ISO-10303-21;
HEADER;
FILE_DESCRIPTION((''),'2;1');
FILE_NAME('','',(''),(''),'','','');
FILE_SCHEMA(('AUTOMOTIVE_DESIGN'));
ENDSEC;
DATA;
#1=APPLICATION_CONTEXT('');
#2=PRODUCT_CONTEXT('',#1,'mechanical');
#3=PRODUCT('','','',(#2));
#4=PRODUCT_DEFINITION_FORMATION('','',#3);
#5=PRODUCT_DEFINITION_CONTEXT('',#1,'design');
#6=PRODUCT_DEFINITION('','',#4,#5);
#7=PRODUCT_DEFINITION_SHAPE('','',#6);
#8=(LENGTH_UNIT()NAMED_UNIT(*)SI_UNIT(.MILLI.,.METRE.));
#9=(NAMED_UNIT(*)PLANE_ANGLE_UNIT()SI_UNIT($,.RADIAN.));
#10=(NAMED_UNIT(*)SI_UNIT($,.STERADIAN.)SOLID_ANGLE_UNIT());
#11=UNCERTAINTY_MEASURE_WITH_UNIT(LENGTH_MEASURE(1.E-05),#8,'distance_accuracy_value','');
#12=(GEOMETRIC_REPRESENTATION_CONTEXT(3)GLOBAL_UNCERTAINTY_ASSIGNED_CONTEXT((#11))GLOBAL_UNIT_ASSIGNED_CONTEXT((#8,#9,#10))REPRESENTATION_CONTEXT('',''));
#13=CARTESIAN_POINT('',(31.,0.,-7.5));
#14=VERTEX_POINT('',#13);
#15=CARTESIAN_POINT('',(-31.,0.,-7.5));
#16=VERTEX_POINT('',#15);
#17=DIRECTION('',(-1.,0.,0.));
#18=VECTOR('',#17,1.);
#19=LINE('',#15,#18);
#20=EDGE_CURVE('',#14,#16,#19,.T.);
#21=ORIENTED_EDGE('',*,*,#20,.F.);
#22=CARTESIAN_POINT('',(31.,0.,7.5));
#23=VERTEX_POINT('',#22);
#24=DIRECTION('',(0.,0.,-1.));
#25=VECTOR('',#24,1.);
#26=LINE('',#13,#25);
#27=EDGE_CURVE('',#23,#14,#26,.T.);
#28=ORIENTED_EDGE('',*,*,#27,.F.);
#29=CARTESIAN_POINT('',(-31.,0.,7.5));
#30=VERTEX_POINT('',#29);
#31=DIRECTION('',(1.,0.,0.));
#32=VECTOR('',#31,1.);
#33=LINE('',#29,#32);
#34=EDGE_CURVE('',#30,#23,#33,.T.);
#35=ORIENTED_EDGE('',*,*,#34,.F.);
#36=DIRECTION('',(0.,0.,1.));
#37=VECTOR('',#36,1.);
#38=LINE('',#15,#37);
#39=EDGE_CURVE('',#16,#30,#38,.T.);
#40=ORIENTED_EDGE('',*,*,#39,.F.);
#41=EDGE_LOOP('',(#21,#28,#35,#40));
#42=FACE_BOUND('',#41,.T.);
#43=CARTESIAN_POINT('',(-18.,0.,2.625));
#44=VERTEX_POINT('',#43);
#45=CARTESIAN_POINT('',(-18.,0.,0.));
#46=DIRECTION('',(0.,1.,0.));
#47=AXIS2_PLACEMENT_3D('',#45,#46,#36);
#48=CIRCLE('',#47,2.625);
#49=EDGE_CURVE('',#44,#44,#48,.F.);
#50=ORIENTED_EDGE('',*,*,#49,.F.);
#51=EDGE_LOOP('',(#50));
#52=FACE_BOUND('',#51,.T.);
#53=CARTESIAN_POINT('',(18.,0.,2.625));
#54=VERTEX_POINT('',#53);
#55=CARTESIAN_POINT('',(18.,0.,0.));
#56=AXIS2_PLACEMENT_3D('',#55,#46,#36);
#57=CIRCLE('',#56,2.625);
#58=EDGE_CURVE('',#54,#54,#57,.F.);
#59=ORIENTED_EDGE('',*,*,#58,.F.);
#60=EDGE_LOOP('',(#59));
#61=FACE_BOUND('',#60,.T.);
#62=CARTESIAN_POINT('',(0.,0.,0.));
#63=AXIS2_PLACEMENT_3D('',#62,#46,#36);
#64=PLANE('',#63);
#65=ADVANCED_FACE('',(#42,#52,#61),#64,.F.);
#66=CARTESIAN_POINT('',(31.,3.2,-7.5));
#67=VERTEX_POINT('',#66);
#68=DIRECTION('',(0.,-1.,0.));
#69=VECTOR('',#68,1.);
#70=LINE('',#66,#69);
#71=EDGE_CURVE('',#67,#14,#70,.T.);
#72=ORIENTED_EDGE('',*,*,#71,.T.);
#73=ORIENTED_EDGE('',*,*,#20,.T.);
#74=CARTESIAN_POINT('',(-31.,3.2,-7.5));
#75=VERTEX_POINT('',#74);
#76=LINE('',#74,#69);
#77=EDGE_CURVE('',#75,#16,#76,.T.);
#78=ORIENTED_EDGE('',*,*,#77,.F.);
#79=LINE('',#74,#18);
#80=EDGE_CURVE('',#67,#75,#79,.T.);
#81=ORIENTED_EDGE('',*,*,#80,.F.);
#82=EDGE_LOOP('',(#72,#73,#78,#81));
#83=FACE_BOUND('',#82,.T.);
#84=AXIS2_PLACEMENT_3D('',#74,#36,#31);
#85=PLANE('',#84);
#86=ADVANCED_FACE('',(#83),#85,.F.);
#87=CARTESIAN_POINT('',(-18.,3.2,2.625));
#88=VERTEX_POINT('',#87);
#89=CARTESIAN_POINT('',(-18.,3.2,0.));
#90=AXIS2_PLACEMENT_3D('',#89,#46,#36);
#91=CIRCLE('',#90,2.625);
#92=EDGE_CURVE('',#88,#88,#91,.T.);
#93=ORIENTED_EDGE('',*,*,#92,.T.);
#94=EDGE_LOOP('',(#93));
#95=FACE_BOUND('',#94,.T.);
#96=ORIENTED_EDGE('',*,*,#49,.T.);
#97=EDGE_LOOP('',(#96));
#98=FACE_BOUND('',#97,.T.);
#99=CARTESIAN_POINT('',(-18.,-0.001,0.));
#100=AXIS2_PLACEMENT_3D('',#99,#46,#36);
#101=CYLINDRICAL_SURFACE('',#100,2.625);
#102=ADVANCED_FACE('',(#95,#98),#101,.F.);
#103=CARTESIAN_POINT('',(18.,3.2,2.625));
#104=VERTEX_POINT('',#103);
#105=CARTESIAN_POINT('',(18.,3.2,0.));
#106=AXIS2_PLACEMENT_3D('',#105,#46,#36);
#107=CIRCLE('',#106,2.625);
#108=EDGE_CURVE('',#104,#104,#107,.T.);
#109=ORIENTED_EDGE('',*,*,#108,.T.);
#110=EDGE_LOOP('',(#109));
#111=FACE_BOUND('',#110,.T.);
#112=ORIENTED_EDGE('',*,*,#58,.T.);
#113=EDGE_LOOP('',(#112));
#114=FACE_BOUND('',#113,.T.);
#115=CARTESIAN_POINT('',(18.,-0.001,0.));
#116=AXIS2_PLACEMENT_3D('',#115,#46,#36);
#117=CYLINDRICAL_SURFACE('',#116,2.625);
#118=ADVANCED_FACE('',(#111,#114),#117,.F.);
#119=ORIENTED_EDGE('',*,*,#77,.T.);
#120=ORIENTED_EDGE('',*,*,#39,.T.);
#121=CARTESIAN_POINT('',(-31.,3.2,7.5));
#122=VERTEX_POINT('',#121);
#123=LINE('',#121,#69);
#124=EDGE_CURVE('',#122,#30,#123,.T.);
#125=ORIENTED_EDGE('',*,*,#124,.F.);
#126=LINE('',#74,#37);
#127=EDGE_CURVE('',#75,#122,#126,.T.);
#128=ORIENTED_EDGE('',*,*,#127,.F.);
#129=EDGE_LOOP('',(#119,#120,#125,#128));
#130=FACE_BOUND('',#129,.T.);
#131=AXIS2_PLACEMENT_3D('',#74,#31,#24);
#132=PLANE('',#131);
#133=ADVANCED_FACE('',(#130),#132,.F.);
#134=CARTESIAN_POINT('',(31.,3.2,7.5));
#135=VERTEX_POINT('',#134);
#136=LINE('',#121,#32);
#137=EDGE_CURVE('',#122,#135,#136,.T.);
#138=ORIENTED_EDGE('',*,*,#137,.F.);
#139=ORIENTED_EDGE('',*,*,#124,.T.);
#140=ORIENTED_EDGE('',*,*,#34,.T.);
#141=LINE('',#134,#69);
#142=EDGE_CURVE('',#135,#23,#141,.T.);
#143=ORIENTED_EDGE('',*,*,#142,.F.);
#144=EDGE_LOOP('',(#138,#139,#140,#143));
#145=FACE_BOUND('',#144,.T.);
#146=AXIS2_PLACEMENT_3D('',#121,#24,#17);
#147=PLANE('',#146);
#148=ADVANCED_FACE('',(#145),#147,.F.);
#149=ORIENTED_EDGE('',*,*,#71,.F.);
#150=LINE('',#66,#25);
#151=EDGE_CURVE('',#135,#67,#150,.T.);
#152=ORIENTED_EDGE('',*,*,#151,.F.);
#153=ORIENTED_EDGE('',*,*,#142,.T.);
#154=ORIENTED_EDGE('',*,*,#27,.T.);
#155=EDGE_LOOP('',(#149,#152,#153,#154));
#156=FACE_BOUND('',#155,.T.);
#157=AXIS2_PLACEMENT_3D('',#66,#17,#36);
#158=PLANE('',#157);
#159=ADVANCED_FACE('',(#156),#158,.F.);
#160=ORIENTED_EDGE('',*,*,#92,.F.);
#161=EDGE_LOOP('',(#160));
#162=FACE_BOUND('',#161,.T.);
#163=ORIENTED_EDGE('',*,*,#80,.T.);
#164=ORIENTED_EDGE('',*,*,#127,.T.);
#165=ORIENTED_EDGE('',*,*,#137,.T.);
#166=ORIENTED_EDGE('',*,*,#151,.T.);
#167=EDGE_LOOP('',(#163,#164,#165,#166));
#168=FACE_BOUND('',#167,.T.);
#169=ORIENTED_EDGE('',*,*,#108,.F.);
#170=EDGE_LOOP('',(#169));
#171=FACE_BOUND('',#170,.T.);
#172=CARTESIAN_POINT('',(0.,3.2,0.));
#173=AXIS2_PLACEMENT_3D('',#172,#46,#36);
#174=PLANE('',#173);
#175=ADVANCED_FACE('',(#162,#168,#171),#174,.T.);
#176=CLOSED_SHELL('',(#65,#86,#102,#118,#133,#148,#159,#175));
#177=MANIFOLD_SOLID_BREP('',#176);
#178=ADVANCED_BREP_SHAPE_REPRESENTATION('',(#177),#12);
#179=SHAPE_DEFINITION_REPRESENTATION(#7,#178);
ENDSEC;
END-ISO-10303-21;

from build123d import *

# Parameters (mm, degrees)
SKETCH1_W           = 62
SKETCH1_H           = 15
BOSS_EXTRUDE1_DEPTH = 3.2
CUT_EXTRUDE1_REACH  = 5.2
SKETCH2_R           = 2.625


with BuildPart() as part:
    # Sketch1 → Boss-Extrude1 (new body)
    with BuildSketch(Plane(origin=(0, 0, 0), x_dir=(1, 0, 0), z_dir=(0, 1, 0))):
        Rectangle(SKETCH1_W, SKETCH1_H)
    extrude(amount=BOSS_EXTRUDE1_DEPTH)

    # Sketch2 → Cut-Extrude1 (cut, up to next)
    with BuildSketch(Plane(origin=(0, 3.2, 0), x_dir=(1, 0, 0), z_dir=(0, 1, 0)), mode=Mode.PRIVATE) as cut_extrude1_sk1:
        with Locations((-18, 0)):
            Circle(SKETCH2_R)
    cut_extrude1_tool1 = extrude(cut_extrude1_sk1.sketch, amount=-CUT_EXTRUDE1_REACH, mode=Mode.PRIVATE) & part.part
    add(cut_extrude1_tool1.solids().sort_by_distance((-18, 3.2, 0))[0], mode=Mode.SUBTRACT)
    # Sketch2 → Cut-Extrude1 (cut, up to next)
    with BuildSketch(Plane(origin=(0, 3.2, 0), x_dir=(1, 0, 0), z_dir=(0, 1, 0)), mode=Mode.PRIVATE) as cut_extrude1_sk2:
        with Locations((18, 0)):
            Circle(SKETCH2_R)
    cut_extrude1_tool2 = extrude(cut_extrude1_sk2.sketch, amount=-CUT_EXTRUDE1_REACH, mode=Mode.PRIVATE) & part.part
    add(cut_extrude1_tool2.solids().sort_by_distance((18, 3.2, 0))[0], mode=Mode.SUBTRACT)


solid = part.part
